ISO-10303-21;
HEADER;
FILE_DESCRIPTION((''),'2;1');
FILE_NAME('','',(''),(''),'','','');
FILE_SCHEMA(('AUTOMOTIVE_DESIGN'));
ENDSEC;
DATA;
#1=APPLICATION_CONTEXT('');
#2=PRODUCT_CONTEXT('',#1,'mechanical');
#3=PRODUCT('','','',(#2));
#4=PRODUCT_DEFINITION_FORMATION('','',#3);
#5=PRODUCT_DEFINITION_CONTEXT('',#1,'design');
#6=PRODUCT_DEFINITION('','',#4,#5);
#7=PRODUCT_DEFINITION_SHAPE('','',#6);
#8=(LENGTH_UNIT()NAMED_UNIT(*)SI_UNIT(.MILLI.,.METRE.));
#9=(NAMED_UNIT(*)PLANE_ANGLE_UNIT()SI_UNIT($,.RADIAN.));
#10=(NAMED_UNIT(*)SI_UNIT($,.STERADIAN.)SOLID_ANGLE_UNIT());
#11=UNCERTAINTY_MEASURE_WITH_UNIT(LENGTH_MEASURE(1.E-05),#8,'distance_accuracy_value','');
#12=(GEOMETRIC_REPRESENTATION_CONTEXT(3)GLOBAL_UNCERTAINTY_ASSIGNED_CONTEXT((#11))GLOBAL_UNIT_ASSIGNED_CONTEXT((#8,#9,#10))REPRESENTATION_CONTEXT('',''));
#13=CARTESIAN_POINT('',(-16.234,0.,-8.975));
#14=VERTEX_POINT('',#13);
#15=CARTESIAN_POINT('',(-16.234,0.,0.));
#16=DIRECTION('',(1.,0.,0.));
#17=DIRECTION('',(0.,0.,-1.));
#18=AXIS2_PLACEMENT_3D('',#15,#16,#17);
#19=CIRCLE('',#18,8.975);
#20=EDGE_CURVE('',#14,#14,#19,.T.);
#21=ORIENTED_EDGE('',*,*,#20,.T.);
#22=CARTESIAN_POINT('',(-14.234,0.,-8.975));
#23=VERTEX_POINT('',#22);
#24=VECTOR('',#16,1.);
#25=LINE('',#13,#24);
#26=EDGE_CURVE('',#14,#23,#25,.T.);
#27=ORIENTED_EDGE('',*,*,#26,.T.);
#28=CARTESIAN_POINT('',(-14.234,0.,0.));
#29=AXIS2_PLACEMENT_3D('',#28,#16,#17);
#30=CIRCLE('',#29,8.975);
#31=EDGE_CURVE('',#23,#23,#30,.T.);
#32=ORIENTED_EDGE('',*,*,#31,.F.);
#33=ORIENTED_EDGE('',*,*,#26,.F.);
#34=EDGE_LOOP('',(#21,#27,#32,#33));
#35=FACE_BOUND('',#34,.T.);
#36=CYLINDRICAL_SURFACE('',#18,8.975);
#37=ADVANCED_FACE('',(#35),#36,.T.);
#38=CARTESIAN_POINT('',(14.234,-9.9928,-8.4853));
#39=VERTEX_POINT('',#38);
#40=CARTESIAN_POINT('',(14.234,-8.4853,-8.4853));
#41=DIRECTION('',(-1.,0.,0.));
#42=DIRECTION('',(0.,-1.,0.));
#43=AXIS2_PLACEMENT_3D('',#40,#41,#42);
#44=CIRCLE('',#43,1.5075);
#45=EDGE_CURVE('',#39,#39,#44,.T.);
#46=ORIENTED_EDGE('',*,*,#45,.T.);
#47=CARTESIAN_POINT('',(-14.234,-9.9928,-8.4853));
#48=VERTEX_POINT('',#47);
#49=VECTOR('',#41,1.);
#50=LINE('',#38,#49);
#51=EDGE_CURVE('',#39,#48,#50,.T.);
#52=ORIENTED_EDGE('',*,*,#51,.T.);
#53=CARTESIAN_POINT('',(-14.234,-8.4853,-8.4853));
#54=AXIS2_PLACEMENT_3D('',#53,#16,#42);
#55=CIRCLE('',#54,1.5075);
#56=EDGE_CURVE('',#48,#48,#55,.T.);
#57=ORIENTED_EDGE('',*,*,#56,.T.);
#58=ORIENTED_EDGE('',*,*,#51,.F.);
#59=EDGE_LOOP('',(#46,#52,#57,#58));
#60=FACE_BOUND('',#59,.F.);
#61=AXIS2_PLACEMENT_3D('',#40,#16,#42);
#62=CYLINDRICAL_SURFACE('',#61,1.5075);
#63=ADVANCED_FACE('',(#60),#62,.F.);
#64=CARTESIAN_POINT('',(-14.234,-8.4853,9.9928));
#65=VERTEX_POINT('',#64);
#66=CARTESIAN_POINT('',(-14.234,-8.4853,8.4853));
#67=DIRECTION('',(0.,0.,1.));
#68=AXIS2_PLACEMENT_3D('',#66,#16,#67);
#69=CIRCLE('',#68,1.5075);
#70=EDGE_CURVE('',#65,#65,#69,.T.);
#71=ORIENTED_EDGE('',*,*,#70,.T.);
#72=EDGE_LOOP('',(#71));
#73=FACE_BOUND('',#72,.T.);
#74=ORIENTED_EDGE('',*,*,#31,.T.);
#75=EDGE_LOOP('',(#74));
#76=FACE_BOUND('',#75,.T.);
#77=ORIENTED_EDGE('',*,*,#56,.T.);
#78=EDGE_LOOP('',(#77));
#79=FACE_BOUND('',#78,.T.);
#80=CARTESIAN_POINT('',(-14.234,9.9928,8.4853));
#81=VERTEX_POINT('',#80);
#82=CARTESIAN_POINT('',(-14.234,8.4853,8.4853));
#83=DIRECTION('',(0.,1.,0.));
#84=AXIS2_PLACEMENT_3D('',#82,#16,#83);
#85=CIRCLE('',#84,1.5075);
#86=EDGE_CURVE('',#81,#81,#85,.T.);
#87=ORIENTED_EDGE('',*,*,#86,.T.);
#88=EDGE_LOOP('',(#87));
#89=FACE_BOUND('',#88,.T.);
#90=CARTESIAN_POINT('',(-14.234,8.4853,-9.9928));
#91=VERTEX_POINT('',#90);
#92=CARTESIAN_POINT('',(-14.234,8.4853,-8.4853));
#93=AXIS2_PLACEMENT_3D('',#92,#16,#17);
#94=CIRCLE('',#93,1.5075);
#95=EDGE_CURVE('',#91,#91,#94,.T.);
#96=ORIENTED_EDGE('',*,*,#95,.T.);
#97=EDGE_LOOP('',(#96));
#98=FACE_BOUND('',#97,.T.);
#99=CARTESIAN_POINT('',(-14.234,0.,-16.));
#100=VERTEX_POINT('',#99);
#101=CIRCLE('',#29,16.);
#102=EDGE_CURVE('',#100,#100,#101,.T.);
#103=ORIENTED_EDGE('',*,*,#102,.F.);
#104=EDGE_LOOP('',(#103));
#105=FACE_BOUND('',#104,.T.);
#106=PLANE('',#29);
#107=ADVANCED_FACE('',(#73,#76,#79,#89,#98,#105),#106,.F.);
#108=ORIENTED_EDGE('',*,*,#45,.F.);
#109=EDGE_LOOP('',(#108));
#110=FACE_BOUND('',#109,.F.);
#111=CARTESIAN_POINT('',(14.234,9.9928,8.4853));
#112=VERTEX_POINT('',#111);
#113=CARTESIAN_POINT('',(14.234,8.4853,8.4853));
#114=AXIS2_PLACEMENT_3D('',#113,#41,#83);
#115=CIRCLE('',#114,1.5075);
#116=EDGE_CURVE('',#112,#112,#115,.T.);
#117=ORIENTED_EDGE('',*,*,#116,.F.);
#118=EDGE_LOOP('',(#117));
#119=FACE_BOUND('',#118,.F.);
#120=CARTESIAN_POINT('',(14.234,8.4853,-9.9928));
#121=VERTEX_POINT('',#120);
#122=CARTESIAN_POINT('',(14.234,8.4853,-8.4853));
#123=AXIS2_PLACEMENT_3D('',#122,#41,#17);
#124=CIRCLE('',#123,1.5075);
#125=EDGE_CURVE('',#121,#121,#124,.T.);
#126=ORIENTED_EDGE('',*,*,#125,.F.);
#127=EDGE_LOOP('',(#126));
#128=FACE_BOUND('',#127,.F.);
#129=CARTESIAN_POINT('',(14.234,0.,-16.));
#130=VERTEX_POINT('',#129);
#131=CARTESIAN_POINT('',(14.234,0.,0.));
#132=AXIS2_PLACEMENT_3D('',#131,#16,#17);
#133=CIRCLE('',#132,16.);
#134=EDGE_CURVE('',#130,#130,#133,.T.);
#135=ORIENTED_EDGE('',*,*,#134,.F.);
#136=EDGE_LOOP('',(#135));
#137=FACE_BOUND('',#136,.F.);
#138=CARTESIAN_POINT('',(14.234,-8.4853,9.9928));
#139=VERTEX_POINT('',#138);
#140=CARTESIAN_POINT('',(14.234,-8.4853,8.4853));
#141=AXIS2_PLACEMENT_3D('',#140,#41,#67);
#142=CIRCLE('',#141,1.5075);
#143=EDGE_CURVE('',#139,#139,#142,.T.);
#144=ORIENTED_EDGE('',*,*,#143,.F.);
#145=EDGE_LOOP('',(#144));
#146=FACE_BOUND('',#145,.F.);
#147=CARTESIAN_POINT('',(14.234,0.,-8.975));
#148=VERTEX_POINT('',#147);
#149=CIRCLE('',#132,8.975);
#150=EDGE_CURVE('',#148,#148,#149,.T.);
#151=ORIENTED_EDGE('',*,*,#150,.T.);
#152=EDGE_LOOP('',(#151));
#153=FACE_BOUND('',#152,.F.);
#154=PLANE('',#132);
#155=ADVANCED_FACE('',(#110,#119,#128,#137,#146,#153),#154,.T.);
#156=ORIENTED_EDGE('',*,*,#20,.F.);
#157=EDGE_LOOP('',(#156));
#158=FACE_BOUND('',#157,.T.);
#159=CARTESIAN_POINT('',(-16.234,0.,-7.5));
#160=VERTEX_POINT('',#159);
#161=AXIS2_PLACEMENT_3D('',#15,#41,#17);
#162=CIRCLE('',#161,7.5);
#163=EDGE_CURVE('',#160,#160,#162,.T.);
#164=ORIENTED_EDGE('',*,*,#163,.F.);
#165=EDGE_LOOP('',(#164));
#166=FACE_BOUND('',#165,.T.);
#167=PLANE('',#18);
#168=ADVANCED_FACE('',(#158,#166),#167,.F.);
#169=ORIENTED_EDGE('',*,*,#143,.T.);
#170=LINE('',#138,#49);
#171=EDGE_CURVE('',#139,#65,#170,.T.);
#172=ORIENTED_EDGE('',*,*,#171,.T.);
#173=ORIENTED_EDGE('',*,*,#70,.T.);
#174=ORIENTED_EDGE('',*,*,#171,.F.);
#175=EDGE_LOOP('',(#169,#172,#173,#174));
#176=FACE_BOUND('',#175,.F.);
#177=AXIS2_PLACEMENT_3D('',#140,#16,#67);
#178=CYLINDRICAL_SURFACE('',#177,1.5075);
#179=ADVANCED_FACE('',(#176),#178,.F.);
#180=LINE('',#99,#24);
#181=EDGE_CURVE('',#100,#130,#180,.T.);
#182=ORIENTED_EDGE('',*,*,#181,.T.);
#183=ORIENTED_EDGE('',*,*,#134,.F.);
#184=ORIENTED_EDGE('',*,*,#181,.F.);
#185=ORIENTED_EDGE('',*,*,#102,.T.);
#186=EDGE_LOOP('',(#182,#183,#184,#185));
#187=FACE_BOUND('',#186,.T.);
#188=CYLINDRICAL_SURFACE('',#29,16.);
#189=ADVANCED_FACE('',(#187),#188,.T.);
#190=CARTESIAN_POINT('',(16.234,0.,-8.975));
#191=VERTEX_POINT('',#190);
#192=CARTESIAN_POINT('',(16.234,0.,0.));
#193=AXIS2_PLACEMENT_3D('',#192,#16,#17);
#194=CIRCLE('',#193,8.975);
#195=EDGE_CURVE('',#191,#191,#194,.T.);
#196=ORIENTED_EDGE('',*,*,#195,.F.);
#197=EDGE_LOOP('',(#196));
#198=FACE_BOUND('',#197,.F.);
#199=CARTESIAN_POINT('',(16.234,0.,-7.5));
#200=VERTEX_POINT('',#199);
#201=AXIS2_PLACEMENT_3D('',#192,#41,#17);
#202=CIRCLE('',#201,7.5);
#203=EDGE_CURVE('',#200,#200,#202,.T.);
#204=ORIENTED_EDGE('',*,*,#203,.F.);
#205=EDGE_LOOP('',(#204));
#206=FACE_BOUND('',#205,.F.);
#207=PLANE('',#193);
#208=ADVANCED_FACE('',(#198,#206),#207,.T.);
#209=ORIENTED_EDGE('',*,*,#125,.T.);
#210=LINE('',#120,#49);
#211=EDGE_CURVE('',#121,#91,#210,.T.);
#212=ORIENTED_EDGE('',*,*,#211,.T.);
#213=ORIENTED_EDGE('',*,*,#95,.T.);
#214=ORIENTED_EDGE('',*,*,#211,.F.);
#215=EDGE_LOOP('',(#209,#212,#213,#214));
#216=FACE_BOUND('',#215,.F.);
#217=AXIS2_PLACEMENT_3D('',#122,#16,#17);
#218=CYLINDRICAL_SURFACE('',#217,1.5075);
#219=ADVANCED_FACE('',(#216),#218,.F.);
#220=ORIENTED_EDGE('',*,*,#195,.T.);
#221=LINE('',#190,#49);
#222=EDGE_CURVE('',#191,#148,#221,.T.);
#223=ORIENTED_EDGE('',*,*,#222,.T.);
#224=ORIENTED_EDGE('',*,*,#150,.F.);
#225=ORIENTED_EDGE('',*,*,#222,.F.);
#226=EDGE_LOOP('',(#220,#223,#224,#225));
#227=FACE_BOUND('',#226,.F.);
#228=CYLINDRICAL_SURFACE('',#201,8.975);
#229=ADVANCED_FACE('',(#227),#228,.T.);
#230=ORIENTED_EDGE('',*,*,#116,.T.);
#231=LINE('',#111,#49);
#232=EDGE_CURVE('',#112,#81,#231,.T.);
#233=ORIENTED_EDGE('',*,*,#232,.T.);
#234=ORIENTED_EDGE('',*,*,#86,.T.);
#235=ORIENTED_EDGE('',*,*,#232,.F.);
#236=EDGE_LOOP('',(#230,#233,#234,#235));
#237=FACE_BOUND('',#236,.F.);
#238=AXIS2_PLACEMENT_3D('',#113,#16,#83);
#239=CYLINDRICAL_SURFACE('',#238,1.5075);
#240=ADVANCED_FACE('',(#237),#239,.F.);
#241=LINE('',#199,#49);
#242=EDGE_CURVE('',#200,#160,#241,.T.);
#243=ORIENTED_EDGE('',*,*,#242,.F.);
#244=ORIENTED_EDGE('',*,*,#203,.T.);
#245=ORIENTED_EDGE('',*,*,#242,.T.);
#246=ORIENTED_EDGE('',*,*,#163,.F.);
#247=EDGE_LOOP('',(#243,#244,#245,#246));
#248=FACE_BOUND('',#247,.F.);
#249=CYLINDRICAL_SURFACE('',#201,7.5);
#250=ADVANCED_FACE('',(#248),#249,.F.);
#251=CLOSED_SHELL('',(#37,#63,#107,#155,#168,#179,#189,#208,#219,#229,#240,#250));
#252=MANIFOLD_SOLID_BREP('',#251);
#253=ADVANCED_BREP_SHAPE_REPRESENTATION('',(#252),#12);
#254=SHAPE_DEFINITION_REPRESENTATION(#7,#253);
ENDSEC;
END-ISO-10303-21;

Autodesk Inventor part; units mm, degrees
ref_plane "YZ Plane" through (0, 0, 0) normal (1, 0, 0) x (0, 1, 0)
ref_plane "XZ Plane" through (0, 0, 0) normal (0, 1, 0) x (-1, 0, 0)
ref_plane "XY Plane" through (0, 0, 0) normal (0, 0, 1) x (1, 0, 0)
sketch "Sketch1" plane through (0, 0, 0) normal (0, 1, 0) x (-1, 0, 0)
  line L0 (14.234, 0) -> (-14.234, 0)
  line L1 (14.234, 0) -> (14.234, -16)
  line L2 (14.234, -16) -> (-14.234, -16)
  line L3 (-14.234, 0) -> (-14.234, -16)
  line L4 (16.234, 0) -> (16.234, -8.975)
  line L5 (16.234, -8.975) -> (14.234, -8.975)
  line L6 (16.234, 0) -> (14.234, 0)
  line L7 (0, 0) -> (0, -16) construction
  line L8 (-16.234, 0) -> (-16.234, -8.975)
  line L9 (-16.234, -8.975) -> (-14.234, -8.975)
  line L10 (-16.234, 0) -> (-14.234, 0)
  point P0 (-14.234, -8.975)
  dimension "d0" = 28.468
  dimension "d1" = 16
  dimension "d2" = 8.975
  dimension "d3" = 2
  dimension "d52" = 16
  dimension "d53" = 14.234
  dimension "d54" = 14.234
  dimension "d55" = 32.468
revolve "Revolution1" add sketch "Sketch1" angle 360 about axis through (-14.234, 0, 0) along (1, 0, 0)
sketch "Sketch3" plane through (14.234, 0, 0) normal (1, 0, 0) x (0, 0, -1)
  line L0 (0, 0) -> (0, 21.0687)
  circle A0 centre (0, 0) radius 12
  line L1 (0, 0) -> (15.1968, 15.1968)
  circle A1 centre (8.4853, 8.4853) radius 1.5075
  dimension "d12" = 24
  dimension "d13" = 45
  dimension "d14" = 3.015
extrude "Extrusion1" cut sketch "Sketch3" against normal through all contours A1 A0 L1 | L1 A0 A1 | A1 L1 A0 | L1 A1 A0
thread "Thread1" size "M3x0.5" class "6H" standard "ANSI Metric M Profile" full length
sketch "Sketch5" plane through (16.234, 0, 0) normal (1, 0, 0) x (0, 0, -1)
  circle A0 centre (0, 0) radius 8.975 projected
  point P0 (0, 0)
hole "Hole3" at (16.234, 0, 0) direction (-1, 0, 0) diameter 15 end through all
pattern_circular "Circular Pattern3" count 4 over 360 about axis through (-39.4631, 0, 0) along (1, 0, 0) of "Extrusion1"
properties part number "shaft" material "Stainless Steel"
